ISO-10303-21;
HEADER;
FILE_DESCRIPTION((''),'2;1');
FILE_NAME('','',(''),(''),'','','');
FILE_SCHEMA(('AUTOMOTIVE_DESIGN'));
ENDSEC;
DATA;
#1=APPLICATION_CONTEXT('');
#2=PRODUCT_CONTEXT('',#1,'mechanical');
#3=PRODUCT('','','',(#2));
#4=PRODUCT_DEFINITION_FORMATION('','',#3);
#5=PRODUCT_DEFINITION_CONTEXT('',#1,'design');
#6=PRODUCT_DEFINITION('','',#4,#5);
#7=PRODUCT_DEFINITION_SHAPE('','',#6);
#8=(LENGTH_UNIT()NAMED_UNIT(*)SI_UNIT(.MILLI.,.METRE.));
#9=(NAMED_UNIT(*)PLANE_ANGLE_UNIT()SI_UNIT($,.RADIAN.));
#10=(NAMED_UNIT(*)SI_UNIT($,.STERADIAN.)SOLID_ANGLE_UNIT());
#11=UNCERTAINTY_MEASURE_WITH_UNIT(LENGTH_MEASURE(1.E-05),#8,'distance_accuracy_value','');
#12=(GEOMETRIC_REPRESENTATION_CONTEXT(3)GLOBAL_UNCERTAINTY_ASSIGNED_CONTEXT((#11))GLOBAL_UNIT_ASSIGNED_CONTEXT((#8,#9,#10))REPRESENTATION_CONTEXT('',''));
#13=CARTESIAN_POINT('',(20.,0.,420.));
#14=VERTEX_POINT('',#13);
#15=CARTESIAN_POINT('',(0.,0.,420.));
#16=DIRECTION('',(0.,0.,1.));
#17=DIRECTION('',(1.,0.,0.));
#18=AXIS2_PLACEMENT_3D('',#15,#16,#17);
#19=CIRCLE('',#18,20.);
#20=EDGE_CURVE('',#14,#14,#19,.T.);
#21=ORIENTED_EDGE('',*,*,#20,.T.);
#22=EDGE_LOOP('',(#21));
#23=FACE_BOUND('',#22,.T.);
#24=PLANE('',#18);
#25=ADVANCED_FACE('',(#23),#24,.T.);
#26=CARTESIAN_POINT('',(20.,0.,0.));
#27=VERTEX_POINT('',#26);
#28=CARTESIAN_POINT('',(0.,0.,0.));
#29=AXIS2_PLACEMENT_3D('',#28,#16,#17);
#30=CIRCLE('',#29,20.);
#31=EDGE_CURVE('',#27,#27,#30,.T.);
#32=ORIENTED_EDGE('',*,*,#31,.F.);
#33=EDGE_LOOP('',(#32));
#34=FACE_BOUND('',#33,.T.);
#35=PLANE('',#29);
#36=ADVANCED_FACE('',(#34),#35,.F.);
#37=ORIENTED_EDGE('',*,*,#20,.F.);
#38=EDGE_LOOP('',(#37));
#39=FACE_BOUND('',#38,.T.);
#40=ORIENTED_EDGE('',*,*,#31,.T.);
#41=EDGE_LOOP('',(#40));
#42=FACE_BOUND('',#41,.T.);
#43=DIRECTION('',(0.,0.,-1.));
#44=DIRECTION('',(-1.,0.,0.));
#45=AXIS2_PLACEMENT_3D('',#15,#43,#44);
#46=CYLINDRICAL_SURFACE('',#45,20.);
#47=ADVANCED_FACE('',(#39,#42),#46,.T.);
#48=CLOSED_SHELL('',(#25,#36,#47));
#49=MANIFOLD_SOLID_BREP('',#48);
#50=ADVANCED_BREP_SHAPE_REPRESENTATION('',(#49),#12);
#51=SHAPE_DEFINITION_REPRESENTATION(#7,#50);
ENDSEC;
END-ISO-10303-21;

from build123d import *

# Parameters (mm, degrees)
SKETCH_1_R      = 20
EXTRUDE_2_DEPTH = 420


with BuildPart() as part:
    # 草图1 → 凸台-拉伸2 (new body)
    with BuildSketch(Plane.XY):
        Circle(SKETCH_1_R)
    extrude(amount=EXTRUDE_2_DEPTH)


solid = part.part
